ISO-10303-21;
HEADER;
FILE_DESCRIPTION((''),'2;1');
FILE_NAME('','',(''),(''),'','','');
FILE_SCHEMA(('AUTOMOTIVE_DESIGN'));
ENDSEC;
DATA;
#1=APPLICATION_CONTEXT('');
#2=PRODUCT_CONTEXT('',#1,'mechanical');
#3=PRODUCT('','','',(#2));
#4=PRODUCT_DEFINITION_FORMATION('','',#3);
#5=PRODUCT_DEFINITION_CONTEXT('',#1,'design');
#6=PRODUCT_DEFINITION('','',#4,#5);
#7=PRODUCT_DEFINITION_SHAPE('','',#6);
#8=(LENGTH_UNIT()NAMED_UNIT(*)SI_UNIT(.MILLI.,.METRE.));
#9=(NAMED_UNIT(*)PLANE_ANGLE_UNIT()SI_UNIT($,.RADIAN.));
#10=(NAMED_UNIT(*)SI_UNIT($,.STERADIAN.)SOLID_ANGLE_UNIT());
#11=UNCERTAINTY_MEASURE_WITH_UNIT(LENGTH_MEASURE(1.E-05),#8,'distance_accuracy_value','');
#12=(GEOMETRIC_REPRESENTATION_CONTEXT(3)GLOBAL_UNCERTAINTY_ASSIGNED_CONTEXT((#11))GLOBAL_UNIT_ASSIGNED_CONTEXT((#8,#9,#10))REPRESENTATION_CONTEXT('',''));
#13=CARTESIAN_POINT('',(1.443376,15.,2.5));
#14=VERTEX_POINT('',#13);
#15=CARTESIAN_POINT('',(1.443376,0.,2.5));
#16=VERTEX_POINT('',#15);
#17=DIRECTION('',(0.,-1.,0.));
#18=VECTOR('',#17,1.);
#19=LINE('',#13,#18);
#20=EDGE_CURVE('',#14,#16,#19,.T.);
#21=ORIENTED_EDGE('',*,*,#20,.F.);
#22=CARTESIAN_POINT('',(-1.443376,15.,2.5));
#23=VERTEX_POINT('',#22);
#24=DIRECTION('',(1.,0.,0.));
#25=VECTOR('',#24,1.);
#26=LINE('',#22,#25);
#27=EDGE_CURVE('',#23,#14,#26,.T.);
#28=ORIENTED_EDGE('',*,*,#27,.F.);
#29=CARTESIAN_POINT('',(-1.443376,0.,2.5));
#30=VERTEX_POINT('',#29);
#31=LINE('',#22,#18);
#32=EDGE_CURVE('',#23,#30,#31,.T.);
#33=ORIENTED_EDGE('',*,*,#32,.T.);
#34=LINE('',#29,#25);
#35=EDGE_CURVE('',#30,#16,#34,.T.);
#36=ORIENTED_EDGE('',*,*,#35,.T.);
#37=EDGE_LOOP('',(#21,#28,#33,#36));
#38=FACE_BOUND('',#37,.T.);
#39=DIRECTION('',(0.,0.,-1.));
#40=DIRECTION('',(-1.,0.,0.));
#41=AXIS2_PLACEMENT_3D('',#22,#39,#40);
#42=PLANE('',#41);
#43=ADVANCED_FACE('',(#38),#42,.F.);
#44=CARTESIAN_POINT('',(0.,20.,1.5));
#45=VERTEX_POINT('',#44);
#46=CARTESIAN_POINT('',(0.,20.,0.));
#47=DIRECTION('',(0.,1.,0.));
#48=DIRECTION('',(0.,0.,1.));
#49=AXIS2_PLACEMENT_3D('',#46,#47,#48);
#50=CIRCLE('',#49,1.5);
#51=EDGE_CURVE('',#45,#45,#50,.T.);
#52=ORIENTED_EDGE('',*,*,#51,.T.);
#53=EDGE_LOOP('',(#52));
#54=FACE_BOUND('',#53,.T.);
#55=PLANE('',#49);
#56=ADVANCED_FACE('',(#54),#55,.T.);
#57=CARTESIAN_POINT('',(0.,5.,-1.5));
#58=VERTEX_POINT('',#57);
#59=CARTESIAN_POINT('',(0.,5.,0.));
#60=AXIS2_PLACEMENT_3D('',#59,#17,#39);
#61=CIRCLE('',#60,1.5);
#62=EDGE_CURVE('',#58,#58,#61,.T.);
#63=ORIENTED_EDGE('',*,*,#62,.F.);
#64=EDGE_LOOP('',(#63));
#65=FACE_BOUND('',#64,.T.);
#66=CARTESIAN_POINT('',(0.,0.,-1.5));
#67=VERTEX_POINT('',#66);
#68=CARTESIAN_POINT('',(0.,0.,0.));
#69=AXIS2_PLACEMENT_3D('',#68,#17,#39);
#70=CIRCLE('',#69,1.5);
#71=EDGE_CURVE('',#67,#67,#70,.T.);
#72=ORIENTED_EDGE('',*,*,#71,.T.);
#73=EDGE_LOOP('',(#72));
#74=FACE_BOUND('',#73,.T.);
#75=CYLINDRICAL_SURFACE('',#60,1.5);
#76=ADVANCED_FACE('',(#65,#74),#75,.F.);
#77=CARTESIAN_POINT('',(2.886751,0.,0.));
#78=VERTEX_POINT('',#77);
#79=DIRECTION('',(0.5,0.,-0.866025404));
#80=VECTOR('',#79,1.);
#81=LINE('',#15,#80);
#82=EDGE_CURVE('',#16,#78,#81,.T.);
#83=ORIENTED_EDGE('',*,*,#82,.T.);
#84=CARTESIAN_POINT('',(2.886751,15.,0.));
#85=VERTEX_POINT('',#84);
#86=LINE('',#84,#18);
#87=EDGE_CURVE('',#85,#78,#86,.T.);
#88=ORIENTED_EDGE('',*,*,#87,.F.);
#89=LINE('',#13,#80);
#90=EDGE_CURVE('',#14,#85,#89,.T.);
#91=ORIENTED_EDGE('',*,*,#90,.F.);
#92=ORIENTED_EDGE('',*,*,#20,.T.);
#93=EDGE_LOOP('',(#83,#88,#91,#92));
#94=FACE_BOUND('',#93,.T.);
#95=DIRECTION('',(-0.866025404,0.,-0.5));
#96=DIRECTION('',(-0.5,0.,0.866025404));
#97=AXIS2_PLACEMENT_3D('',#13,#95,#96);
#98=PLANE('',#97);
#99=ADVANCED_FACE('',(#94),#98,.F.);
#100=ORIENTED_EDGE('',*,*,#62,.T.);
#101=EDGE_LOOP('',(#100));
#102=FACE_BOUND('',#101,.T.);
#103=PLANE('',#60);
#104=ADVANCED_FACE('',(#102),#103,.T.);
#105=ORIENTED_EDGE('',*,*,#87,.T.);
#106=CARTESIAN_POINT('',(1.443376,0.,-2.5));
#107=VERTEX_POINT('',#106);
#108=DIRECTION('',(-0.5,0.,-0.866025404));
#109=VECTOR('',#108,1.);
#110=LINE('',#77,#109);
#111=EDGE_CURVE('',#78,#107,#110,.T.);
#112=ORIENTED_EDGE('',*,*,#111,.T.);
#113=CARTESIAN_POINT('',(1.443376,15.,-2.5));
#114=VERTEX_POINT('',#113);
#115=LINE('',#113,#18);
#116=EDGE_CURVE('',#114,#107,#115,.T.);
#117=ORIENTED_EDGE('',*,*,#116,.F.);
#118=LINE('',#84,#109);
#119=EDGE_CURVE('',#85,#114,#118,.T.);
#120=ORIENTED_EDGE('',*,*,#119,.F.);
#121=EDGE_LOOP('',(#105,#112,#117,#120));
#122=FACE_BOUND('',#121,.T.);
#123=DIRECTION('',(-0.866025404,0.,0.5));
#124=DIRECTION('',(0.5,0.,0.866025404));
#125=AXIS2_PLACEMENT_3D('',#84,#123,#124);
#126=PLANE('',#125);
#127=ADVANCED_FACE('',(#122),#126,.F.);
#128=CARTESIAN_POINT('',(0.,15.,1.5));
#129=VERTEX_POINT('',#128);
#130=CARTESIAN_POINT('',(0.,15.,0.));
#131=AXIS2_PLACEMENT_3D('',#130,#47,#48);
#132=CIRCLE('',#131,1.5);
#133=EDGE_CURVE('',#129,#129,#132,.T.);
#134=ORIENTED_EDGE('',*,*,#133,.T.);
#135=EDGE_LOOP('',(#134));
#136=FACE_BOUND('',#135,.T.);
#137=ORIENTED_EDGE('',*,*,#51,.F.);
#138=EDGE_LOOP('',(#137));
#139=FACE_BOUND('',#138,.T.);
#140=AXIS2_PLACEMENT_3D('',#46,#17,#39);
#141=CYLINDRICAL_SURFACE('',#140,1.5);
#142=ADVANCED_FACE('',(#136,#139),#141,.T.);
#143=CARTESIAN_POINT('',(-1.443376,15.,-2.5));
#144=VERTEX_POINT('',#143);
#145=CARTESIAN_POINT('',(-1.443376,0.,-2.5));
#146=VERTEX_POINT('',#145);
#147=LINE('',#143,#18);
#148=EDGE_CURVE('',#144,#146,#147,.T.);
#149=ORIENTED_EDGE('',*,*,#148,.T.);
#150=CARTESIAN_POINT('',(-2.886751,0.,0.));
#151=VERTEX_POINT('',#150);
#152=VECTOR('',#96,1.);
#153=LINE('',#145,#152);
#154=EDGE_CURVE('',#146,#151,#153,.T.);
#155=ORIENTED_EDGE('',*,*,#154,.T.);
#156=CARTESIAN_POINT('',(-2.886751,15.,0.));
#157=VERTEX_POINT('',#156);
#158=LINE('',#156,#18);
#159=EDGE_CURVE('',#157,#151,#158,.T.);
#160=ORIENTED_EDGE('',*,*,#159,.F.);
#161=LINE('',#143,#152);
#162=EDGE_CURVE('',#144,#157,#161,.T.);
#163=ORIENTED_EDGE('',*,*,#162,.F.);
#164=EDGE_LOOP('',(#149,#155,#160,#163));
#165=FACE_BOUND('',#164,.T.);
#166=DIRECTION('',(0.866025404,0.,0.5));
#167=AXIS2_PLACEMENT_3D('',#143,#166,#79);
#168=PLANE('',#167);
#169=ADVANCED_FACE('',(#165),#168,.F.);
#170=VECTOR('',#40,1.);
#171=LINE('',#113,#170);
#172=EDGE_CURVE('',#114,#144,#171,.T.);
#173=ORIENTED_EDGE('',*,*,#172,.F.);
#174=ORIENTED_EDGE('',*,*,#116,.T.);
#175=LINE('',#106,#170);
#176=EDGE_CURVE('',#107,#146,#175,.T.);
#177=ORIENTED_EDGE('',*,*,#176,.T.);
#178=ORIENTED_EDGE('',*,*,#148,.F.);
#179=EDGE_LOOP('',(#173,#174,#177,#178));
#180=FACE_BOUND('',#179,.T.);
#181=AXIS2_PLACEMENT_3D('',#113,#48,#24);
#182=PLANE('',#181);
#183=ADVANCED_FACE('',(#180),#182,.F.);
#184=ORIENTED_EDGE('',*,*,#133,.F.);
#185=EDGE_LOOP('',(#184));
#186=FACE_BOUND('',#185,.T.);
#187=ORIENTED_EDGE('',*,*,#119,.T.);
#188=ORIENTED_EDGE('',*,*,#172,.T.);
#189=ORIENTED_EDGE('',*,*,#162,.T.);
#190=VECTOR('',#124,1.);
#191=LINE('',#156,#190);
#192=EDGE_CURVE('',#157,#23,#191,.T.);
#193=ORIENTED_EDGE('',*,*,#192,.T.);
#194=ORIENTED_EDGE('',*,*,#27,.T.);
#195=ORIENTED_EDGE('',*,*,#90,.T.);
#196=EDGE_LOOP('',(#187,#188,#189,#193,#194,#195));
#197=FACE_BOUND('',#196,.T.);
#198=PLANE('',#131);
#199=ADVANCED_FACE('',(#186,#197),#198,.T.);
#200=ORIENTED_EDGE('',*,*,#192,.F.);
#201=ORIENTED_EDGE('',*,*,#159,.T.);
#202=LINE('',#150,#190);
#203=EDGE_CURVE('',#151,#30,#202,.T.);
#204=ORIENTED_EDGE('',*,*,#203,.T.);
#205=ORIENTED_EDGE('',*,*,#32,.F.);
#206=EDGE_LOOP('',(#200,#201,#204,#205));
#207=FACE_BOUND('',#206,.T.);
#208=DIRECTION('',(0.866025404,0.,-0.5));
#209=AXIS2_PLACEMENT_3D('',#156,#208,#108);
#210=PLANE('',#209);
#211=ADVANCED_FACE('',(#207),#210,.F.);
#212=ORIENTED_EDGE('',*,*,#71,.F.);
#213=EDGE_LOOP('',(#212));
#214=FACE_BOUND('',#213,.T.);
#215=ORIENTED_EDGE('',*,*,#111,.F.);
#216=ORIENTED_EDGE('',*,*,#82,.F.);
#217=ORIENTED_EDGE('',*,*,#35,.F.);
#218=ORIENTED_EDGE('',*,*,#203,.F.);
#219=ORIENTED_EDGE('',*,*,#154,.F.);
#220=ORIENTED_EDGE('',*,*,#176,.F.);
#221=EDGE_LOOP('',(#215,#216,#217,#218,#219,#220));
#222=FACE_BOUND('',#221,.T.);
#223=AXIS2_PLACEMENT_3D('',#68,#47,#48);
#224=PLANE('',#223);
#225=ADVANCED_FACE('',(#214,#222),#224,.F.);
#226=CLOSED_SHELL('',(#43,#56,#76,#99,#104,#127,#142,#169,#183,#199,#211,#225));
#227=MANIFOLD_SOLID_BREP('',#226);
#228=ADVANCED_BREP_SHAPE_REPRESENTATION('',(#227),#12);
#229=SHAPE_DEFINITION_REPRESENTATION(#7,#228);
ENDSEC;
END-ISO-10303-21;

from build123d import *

# Parameters (mm, degrees)
EXTRUDE_1_DEPTH     = 15
SKETCH_2_R          = 1.5
EXTRUDE_2_DEPTH     = 5
SKETCH_3_R          = 1.5
CUT_EXTRUDE_1_DEPTH = 5


with BuildPart() as part:
    # 草圖1 → 填料-伸長1 (new body)
    with BuildSketch(Plane(origin=(0, 0, 0), x_dir=(1, 0, 0), z_dir=(0, 1, 0))):
        Polygon((2.886751346, 0), (1.443375673, 2.5), (-1.443375673, 2.5), (-2.886751346, 0), (-1.443375673, -2.5), (1.443375673, -2.5), align=None)
    extrude(amount=EXTRUDE_1_DEPTH)

    # 草圖2 → 填料-伸長2 (add)
    with BuildSketch(Plane(origin=(0, 15, 0), x_dir=(1, 0, 0), z_dir=(0, 1, 0))):
        Circle(SKETCH_2_R)
    extrude(amount=EXTRUDE_2_DEPTH)

    # 草圖3 → 除料-伸長1 (cut)
    with BuildSketch(Plane.XZ):
        Circle(SKETCH_3_R)
    extrude(amount=-CUT_EXTRUDE_1_DEPTH, mode=Mode.SUBTRACT)


solid = part.part
